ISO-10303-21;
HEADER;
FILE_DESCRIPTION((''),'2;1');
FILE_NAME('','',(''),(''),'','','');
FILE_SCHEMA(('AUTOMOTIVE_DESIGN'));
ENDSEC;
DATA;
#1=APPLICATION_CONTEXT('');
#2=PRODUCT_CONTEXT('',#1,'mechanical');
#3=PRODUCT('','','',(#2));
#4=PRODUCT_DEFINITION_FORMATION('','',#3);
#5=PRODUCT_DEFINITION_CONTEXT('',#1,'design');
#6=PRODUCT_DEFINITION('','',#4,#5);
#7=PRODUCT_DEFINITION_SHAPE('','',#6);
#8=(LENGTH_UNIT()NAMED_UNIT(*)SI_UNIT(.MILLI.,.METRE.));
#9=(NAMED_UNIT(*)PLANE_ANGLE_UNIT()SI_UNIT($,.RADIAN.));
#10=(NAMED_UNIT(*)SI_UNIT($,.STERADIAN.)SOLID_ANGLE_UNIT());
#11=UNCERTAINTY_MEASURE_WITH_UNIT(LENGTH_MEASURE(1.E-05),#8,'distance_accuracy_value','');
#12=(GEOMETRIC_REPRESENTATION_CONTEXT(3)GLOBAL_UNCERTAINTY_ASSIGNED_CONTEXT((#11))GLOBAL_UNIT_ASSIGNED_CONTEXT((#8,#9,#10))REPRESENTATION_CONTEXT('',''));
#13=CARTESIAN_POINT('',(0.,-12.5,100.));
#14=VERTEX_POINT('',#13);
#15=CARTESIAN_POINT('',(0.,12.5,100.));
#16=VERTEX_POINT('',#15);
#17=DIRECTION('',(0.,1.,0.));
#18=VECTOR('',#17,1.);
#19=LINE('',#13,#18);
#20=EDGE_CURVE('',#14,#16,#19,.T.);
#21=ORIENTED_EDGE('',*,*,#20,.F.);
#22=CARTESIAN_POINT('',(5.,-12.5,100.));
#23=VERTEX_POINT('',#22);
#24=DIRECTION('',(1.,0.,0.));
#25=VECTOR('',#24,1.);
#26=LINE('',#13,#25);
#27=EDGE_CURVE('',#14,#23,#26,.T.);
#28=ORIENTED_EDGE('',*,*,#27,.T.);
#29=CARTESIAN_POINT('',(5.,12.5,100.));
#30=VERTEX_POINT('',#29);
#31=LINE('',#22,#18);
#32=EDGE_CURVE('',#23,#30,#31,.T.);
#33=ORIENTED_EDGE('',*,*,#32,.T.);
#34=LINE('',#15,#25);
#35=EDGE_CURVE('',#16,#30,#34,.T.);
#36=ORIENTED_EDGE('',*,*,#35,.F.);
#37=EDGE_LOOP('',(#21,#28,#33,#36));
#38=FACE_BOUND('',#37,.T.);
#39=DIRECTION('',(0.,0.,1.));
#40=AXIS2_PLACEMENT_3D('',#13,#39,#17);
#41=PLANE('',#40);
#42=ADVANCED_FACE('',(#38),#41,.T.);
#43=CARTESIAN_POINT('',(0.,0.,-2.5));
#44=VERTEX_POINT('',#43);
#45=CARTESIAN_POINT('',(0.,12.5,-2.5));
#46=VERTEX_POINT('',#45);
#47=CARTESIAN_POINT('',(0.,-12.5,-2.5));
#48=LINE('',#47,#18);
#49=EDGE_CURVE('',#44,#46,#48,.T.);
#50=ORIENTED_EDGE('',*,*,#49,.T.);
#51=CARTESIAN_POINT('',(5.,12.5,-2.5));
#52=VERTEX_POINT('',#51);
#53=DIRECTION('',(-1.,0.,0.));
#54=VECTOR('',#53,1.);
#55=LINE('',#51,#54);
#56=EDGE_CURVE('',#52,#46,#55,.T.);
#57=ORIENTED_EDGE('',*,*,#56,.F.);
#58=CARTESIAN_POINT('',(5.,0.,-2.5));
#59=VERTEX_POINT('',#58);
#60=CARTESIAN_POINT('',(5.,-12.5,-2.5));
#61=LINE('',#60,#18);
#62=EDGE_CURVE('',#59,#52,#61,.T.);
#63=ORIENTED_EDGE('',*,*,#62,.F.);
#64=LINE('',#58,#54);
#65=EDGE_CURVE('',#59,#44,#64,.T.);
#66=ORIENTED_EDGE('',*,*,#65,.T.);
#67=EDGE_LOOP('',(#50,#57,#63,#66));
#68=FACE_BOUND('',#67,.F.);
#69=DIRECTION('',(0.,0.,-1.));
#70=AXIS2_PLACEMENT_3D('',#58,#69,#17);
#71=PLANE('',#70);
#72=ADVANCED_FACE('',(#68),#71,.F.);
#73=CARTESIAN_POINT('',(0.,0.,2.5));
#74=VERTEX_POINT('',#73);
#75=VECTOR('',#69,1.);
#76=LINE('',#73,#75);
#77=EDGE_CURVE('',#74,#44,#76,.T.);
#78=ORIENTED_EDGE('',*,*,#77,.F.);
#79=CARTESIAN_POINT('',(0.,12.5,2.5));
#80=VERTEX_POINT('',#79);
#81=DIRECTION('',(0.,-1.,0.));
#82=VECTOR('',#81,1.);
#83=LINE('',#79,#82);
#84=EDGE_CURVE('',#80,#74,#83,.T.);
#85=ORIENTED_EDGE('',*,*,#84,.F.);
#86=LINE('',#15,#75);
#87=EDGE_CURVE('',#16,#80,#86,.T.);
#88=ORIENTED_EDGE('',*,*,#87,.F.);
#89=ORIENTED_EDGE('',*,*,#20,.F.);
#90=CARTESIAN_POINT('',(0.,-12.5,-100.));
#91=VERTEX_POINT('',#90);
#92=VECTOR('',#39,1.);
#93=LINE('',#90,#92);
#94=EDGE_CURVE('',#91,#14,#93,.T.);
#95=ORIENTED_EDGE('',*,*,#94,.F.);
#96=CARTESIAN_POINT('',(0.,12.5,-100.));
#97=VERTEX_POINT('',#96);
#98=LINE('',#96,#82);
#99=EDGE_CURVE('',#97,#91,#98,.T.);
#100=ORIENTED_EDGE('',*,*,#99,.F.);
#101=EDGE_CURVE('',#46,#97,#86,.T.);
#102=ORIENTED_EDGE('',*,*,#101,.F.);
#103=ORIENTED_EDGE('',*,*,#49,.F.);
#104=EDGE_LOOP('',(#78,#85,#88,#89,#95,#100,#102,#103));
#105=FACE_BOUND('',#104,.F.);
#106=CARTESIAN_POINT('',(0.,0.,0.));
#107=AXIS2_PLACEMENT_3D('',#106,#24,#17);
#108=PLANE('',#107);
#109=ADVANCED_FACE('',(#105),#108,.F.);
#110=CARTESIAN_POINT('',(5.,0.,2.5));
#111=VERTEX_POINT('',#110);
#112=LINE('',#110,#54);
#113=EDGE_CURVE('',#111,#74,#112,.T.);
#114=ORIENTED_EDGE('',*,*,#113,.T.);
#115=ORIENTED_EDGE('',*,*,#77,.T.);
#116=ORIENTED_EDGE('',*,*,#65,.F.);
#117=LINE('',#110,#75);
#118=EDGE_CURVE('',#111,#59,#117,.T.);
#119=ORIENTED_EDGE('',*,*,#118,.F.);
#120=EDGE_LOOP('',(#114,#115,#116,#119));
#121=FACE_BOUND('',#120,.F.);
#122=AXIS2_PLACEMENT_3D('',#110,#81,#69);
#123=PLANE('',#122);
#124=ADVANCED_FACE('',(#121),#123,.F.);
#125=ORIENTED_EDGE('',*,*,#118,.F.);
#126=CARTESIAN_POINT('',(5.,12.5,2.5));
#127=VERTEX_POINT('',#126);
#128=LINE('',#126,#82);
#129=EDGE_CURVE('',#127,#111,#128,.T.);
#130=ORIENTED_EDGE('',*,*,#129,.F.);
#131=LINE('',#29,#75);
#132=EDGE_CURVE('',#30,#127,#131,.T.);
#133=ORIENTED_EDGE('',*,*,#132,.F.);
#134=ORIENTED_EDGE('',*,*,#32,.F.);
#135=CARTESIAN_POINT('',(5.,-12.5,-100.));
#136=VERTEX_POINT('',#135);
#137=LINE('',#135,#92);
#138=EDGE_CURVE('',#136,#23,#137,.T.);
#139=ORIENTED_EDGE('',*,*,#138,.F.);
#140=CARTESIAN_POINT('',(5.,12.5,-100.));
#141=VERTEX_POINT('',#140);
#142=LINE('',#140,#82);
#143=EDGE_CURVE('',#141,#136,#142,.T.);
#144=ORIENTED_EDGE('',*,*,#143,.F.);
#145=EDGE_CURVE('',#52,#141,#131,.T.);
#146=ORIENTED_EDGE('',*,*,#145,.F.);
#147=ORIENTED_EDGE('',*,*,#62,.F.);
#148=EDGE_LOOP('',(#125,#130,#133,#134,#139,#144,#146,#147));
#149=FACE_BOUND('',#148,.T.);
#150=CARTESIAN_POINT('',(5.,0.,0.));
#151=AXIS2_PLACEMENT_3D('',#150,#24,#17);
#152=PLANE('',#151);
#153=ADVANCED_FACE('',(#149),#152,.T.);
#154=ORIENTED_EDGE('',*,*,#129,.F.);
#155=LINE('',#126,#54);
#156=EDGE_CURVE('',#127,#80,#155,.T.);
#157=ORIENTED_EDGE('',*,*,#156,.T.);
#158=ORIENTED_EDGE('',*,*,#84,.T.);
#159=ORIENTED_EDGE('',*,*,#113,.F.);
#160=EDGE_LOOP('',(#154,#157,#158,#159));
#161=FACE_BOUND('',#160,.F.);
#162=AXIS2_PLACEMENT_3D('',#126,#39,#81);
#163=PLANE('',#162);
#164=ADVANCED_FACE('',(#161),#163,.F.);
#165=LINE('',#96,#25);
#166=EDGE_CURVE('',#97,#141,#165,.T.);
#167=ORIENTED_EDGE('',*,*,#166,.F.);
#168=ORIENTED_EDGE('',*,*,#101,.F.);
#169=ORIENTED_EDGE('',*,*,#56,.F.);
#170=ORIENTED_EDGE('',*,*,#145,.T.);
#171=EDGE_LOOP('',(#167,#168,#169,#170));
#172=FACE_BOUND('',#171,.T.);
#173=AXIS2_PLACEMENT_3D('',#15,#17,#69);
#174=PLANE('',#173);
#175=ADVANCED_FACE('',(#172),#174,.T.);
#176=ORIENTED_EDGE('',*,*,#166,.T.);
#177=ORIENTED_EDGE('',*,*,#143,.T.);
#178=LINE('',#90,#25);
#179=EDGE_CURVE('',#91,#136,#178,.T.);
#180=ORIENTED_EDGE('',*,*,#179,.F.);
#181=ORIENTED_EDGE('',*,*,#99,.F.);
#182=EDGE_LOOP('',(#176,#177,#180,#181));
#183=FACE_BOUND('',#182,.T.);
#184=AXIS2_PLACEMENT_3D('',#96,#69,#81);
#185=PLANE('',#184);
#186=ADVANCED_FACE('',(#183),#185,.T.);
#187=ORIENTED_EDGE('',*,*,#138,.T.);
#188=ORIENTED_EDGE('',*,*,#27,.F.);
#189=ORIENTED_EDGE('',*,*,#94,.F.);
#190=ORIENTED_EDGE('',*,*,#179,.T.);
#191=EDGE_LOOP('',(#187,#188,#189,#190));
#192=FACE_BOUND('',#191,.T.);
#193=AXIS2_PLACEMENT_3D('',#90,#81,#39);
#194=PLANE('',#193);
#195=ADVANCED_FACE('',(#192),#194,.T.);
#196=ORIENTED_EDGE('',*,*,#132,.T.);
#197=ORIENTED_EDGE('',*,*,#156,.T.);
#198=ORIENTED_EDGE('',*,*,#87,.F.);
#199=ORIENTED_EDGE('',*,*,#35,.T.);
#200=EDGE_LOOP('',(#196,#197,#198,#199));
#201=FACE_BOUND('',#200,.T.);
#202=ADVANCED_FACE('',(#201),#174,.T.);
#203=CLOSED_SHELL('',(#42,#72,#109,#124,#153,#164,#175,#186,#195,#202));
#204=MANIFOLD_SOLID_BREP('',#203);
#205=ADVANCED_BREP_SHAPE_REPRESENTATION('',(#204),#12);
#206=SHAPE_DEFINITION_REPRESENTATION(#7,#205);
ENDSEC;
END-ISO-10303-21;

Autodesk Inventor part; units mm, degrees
ref_plane "YZ Plane" through (0, 0, 0) normal (1, 0, 0) x (0, 1, 0)
ref_plane "XZ Plane" through (0, 0, 0) normal (0, 1, 0) x (-1, 0, 0)
ref_plane "XY Plane" through (0, 0, 0) normal (0, 0, 1) x (1, 0, 0)
sketch "Sketch1" plane through (0, 0, 0) normal (1, 0, 0) x (0, 1, 0)
  line L0 (-12.5, 100) -> (12.5, 100)
  line L1 (12.5, 100) -> (12.5, -100)
  line L2 (12.5, -100) -> (-12.5, -100)
  line L3 (-12.5, -100) -> (-12.5, 100)
  line L4 (-12.5, 100) -> (12.5, -100) construction
  line L5 (12.5, 100) -> (-12.5, -100) construction
  point P0 (0, 0)
  dimension "d0" = 200
  dimension "d1" = 25
extrude "Extrusion1" add sketch "Sketch1" along normal blind 5
sketch "Sketch2" plane through (5, 0, 0) normal (1, 0, 0) x (0, 0, -1)
  line L0 (100, 12.5) -> (-100, 12.5) projected
  line L1 (-2.5, -12.5) -> (2.5, -12.5)
  line L2 (2.5, -12.5) -> (2.5, 12.5)
  line L3 (2.5, 12.5) -> (-2.5, 12.5)
  line L4 (-2.5, 12.5) -> (-2.5, -12.5)
  line L5 (-2.5, -12.5) -> (2.5, 12.5) construction
  line L6 (2.5, -12.5) -> (-2.5, 12.5) construction
  line L7 (-2.5, 0) -> (2.5, 0)
  point P0 (0, 0)
  dimension "d4" = 5
extrude "Extrusion2" cut sketch "Sketch2" against normal blind 5 contours L2 L7 L4 L0
properties part number "PotStand"
